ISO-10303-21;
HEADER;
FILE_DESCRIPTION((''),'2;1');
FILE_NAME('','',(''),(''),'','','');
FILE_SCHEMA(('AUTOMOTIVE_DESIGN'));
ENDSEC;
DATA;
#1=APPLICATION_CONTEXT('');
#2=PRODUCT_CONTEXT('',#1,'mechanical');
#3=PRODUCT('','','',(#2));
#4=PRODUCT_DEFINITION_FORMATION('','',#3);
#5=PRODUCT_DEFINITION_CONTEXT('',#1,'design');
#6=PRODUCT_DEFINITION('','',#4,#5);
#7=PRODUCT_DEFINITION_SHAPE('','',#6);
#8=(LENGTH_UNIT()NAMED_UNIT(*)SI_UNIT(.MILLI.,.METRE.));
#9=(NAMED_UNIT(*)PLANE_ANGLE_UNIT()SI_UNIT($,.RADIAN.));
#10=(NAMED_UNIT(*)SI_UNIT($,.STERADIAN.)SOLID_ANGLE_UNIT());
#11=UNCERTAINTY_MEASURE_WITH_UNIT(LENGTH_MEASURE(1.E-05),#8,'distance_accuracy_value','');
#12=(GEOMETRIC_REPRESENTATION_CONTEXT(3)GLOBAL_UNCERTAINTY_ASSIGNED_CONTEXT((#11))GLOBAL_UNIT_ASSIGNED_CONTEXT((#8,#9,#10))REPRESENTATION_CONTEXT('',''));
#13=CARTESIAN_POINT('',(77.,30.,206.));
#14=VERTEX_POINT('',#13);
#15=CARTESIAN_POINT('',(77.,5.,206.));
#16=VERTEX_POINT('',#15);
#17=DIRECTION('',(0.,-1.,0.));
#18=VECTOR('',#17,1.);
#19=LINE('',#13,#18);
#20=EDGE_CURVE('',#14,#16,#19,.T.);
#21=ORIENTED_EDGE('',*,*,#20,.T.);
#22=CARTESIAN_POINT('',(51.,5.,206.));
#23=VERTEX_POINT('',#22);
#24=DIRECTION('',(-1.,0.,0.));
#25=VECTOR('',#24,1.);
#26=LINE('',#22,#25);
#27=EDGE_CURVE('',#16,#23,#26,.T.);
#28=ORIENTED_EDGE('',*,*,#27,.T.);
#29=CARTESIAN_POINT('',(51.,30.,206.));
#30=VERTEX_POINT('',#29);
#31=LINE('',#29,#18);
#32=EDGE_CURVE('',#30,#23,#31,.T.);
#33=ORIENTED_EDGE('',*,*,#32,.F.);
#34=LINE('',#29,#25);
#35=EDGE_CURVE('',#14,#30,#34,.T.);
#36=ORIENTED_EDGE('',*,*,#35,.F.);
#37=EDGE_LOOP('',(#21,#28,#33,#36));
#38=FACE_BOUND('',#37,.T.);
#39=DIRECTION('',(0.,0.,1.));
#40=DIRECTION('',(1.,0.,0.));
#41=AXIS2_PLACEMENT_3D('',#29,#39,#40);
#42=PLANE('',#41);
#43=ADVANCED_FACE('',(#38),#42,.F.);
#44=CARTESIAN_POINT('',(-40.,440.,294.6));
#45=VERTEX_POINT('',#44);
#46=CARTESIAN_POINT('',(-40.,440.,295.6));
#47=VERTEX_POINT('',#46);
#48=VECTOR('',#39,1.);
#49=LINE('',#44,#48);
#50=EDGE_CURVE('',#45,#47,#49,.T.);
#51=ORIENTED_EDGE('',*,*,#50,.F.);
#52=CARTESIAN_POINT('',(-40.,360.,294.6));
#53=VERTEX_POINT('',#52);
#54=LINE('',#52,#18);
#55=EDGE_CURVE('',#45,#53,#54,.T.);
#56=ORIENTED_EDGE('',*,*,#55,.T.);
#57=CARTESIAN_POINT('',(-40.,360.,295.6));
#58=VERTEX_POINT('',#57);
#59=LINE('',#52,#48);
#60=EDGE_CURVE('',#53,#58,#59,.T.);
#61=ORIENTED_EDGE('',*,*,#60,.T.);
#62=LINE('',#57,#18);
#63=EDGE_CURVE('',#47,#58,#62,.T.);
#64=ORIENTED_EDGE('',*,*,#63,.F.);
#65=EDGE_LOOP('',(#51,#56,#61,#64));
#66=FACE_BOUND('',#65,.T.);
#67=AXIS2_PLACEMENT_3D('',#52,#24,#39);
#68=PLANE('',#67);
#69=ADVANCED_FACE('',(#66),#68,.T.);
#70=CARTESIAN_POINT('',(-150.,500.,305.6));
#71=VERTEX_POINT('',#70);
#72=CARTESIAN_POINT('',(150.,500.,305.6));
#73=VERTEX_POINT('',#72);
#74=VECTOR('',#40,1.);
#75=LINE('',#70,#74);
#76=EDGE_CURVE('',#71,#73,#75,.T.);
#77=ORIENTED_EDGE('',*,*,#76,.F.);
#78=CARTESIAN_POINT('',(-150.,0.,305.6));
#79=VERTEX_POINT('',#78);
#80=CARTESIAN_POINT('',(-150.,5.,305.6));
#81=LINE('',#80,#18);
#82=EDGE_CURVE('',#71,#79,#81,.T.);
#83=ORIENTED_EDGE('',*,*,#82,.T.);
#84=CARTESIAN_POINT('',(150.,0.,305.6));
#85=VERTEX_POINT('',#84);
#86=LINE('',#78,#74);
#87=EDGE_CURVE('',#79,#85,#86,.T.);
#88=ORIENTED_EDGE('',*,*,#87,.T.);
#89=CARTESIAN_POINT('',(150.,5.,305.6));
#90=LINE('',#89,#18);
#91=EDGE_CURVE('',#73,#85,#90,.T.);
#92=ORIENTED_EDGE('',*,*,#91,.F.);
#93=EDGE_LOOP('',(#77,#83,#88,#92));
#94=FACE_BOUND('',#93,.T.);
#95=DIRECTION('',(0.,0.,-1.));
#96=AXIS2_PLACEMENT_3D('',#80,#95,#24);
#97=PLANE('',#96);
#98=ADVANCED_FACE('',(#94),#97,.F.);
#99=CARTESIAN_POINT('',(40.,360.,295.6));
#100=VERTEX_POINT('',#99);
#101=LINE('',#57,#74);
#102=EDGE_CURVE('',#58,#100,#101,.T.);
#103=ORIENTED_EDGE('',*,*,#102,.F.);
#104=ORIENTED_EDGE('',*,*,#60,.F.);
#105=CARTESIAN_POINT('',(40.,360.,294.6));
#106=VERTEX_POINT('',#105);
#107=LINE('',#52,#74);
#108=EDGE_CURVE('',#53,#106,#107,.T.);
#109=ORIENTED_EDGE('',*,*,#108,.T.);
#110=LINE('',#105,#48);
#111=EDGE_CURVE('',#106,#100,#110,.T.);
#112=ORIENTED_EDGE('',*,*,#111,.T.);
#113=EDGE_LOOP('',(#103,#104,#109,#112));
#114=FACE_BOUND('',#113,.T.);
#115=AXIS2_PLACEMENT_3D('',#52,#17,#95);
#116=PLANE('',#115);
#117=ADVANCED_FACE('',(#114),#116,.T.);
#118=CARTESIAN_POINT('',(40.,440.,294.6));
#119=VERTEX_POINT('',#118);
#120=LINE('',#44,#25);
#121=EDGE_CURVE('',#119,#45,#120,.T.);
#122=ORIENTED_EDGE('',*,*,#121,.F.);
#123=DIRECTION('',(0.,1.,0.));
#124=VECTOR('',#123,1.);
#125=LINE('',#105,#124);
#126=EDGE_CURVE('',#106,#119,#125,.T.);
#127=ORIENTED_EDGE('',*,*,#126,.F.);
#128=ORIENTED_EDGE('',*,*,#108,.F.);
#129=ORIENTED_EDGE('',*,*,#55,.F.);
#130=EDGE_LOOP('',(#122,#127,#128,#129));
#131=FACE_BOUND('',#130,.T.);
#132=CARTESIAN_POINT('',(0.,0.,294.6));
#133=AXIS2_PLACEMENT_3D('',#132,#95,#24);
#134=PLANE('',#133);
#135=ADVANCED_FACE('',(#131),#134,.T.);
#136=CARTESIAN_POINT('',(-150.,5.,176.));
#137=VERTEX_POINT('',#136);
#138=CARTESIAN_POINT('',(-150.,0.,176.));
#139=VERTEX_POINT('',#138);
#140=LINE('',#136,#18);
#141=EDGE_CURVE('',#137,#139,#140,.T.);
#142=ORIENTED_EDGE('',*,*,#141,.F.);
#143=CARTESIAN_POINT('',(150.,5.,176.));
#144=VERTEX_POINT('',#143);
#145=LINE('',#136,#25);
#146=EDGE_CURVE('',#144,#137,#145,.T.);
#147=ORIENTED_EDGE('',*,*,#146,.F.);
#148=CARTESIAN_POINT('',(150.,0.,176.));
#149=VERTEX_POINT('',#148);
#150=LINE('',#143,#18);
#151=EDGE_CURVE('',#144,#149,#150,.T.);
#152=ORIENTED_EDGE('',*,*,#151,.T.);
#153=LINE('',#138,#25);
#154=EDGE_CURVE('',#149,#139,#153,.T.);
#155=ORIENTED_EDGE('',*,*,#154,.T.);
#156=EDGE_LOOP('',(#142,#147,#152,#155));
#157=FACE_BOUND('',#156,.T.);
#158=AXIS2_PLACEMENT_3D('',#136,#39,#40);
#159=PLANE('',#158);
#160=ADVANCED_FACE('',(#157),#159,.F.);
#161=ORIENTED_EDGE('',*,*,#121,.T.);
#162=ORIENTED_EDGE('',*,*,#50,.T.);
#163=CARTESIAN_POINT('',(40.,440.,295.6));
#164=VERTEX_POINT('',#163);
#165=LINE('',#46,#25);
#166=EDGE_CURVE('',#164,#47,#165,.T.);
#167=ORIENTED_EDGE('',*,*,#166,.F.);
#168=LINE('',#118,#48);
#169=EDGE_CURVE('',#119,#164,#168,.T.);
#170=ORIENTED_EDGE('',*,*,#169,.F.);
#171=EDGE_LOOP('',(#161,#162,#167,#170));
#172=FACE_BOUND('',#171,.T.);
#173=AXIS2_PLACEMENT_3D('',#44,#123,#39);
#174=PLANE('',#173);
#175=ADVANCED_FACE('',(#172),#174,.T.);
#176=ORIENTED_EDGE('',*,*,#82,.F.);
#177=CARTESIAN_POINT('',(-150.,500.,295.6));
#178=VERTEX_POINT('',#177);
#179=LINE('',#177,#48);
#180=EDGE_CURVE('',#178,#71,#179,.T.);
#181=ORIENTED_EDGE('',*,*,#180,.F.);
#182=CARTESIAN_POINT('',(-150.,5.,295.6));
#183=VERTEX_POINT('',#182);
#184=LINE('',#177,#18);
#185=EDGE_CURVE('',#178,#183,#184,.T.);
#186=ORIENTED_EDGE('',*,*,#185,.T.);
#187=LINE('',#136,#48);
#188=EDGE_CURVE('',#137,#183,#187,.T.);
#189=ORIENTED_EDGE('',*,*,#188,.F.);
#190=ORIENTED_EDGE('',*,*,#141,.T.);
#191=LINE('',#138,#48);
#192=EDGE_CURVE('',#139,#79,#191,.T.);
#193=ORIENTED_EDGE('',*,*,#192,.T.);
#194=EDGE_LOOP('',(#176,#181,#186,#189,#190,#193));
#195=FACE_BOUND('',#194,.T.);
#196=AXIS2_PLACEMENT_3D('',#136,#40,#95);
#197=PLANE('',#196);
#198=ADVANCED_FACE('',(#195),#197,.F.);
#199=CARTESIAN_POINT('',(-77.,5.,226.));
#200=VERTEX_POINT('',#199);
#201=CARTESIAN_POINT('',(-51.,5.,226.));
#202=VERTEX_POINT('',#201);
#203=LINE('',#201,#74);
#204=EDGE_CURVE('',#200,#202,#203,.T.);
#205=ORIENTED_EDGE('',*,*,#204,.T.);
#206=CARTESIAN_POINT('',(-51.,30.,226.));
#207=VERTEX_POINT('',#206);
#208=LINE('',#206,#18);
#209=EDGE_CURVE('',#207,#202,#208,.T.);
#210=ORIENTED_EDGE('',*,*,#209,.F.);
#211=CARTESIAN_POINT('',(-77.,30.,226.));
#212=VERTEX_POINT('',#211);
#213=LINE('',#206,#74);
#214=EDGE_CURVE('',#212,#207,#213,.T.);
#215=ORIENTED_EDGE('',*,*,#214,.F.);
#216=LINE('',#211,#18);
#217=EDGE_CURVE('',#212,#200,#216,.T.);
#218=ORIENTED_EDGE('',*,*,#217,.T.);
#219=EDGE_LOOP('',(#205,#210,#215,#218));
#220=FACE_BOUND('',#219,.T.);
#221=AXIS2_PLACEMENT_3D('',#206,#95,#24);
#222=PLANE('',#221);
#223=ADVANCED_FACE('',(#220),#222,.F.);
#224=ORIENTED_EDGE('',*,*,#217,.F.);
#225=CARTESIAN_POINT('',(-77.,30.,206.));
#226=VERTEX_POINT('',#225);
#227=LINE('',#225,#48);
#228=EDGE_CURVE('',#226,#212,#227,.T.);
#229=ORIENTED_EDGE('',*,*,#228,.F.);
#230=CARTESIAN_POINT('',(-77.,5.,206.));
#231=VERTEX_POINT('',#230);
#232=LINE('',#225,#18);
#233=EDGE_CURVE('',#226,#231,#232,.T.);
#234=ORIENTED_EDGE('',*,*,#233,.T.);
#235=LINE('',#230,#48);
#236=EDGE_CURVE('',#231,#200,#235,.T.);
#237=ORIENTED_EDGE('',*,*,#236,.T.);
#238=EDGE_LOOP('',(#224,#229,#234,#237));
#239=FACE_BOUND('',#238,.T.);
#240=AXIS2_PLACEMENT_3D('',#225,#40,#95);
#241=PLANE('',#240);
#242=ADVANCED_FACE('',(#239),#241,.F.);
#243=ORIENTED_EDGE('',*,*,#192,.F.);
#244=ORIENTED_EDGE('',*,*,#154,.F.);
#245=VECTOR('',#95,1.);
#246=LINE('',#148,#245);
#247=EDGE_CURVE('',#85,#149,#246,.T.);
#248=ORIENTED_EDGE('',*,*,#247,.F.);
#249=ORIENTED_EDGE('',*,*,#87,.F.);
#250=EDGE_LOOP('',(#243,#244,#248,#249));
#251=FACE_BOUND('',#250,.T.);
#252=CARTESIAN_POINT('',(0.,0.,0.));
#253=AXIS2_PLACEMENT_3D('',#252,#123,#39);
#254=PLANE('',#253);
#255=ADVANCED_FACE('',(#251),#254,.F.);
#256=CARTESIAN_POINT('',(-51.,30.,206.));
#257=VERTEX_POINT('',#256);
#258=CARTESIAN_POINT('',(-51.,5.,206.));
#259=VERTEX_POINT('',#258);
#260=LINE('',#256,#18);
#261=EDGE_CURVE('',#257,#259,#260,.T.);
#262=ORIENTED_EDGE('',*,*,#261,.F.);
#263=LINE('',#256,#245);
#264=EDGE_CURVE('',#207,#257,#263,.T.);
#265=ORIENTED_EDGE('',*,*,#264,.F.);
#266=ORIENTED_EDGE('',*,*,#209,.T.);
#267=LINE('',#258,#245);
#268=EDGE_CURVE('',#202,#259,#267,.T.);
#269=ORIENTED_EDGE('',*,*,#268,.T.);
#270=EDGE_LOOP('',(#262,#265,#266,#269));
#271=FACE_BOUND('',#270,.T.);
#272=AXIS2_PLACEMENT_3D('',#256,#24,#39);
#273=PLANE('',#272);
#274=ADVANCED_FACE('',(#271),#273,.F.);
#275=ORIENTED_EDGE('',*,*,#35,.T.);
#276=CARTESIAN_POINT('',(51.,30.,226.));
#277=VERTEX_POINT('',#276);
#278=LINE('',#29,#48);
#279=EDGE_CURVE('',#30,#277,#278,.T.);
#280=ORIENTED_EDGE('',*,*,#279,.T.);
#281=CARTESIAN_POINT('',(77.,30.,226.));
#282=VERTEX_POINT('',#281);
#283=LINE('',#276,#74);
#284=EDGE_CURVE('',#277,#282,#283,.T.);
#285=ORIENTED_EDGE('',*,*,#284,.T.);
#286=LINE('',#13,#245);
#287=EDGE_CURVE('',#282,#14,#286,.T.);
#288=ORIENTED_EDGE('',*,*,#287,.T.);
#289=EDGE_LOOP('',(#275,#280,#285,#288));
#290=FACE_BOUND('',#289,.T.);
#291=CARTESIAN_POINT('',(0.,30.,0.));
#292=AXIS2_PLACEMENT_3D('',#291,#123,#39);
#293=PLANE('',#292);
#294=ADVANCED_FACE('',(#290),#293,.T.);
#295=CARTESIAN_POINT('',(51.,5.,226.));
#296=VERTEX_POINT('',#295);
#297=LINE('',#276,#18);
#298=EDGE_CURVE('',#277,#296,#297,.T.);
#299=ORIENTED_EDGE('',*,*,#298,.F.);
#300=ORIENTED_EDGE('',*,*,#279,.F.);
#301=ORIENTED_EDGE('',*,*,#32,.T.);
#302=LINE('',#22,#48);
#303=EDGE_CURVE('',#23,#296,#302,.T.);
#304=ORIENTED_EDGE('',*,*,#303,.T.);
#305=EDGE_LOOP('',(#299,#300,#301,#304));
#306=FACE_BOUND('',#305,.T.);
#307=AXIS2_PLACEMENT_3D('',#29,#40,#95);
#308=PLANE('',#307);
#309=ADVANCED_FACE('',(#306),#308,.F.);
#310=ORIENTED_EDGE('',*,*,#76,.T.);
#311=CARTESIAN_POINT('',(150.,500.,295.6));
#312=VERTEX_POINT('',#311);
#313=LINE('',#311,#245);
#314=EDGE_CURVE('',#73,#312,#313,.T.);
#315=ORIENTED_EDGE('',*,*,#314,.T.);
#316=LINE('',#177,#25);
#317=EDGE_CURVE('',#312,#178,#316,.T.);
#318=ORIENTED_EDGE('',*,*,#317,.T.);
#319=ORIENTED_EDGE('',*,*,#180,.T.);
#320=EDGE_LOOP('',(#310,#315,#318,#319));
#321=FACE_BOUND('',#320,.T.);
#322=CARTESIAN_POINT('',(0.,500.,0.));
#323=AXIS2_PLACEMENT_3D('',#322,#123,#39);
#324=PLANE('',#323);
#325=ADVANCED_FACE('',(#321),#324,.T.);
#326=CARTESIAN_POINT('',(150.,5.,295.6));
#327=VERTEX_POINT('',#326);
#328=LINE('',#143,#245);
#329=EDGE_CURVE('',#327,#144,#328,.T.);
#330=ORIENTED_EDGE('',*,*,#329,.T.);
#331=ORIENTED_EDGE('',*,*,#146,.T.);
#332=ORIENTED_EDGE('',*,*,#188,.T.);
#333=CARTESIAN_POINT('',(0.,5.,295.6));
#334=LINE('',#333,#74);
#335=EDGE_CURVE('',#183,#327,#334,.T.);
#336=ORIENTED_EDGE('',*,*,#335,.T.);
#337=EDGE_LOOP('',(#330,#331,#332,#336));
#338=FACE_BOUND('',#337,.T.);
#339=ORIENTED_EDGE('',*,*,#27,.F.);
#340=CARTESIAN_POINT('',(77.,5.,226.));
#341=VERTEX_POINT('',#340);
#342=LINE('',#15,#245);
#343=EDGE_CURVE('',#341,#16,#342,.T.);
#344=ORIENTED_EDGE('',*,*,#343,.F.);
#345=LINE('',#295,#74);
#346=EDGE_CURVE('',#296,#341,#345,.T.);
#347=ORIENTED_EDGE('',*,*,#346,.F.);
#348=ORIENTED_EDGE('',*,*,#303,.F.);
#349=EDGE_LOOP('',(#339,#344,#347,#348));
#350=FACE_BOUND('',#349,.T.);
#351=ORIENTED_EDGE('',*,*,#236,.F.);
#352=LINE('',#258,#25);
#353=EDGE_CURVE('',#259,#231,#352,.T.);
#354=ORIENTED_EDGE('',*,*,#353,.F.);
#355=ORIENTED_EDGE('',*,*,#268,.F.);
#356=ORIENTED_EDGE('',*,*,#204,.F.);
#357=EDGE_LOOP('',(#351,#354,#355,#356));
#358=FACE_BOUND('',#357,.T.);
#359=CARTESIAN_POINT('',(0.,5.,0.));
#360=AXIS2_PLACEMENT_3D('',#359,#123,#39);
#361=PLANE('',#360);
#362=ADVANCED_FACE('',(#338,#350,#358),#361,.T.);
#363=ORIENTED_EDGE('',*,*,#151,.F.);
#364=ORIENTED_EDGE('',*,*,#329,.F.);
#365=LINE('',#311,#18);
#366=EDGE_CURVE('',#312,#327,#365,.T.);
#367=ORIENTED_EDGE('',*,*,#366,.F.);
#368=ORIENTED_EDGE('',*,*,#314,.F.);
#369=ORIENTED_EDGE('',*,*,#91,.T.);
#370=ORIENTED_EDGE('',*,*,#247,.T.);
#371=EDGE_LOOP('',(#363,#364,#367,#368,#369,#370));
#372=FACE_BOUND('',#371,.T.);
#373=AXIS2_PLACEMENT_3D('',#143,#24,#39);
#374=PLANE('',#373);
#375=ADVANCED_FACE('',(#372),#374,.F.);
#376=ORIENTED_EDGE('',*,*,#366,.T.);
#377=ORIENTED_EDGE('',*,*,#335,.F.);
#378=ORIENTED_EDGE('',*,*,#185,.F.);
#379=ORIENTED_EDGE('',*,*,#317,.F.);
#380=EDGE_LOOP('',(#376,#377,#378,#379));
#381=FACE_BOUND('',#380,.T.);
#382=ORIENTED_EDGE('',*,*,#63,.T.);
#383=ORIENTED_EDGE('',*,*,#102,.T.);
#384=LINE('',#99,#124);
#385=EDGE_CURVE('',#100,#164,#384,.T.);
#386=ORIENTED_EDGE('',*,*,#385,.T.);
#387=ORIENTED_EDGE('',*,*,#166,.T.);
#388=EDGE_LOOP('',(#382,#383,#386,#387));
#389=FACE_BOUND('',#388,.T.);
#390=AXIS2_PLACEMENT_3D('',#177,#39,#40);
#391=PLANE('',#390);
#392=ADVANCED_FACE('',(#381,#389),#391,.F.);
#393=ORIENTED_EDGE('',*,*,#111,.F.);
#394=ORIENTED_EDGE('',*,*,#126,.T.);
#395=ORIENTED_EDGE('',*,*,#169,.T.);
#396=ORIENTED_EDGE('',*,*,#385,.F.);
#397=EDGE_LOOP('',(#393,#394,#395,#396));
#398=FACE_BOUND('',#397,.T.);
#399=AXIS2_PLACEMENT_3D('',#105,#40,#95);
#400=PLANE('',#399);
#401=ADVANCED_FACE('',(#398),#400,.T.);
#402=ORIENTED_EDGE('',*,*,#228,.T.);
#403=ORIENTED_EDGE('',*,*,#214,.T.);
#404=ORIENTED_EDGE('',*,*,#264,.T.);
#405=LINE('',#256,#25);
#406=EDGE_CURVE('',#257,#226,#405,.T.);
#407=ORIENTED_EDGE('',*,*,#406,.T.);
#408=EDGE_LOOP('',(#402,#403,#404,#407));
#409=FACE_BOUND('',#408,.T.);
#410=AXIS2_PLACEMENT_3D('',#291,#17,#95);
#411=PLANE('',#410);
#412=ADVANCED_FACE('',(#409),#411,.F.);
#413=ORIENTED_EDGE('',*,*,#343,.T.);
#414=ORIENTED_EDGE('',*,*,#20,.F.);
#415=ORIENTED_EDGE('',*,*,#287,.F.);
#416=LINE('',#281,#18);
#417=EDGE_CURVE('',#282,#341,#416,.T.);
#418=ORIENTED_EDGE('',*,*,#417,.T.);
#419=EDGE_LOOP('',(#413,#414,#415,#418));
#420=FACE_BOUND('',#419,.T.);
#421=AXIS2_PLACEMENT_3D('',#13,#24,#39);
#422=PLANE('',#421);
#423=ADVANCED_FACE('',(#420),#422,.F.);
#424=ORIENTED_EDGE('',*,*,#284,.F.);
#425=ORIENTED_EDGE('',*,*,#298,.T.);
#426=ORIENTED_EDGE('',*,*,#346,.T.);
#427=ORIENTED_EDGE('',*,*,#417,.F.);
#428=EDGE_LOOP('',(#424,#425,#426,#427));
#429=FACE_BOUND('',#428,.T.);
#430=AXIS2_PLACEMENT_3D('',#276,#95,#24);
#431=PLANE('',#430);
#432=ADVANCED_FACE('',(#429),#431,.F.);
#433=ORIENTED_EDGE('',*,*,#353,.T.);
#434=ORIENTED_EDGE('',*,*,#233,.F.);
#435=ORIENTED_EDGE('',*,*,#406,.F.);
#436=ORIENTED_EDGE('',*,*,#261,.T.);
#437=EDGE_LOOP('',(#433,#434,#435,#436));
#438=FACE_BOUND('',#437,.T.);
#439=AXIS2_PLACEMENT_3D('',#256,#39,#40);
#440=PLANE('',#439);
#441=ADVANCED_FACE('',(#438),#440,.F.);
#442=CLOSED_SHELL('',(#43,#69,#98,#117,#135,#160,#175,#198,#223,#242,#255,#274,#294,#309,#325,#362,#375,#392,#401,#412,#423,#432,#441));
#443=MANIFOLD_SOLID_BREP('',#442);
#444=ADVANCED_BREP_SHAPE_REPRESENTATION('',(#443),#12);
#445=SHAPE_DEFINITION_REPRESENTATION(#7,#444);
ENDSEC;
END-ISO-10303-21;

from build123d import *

# Parameters (mm, degrees)
SK_DOCKBASE_W         = 300
SK_DOCKBASE_H         = 129.6
EX_DOCKBASE_DEPTH     = 5
SK_DOCKWALL_W         = 300
SK_DOCKWALL_H         = 10
EX_DOCKWALL_DEPTH     = 500
SK_APRILTAG_W         = 80
SK_APRILTAG_H         = 80
EX_APRILTAG_DEPTH     = 1
SK_DOCKCONTACTS_W     = 26
SK_DOCKCONTACTS_H     = 20
EX_DOCKCONTACTS_DEPTH = 25


with BuildPart() as part:
    # SK_DockBase → EX_DockBase (new body)
    with BuildSketch(Plane(origin=(0, 0, 0), x_dir=(1, 0, 0), z_dir=(0, 1, 0))):
        with Locations((0, -240.8)):
            Rectangle(SK_DOCKBASE_W, SK_DOCKBASE_H)
    extrude(amount=EX_DOCKBASE_DEPTH)

    # SK_DockWall → EX_DockWall (add)
    with BuildSketch(Plane(origin=(0, 0, 0), x_dir=(1, 0, 0), z_dir=(0, 1, 0))):
        with Locations((0, -300.6)):
            Rectangle(SK_DOCKWALL_W, SK_DOCKWALL_H)
    extrude(amount=EX_DOCKWALL_DEPTH)

    # SK_AprilTag → EX_AprilTag (add)
    with BuildSketch(Plane.XY.offset(295.6)):
        with Locations((0, 400)):
            Rectangle(SK_APRILTAG_W, SK_APRILTAG_H)
    extrude(amount=-EX_APRILTAG_DEPTH)

    # SK_DockContacts → EX_DockContacts (add)
    with BuildSketch(Plane(origin=(0, 5, 0), x_dir=(1, 0, 0), z_dir=(0, 1, 0))):
        with Locations((64, -216)):
            Rectangle(SK_DOCKCONTACTS_W, SK_DOCKCONTACTS_H)
        with Locations((-64, -216)):
            Rectangle(SK_DOCKCONTACTS_W, SK_DOCKCONTACTS_H)
    extrude(amount=EX_DOCKCONTACTS_DEPTH)


solid = part.part
